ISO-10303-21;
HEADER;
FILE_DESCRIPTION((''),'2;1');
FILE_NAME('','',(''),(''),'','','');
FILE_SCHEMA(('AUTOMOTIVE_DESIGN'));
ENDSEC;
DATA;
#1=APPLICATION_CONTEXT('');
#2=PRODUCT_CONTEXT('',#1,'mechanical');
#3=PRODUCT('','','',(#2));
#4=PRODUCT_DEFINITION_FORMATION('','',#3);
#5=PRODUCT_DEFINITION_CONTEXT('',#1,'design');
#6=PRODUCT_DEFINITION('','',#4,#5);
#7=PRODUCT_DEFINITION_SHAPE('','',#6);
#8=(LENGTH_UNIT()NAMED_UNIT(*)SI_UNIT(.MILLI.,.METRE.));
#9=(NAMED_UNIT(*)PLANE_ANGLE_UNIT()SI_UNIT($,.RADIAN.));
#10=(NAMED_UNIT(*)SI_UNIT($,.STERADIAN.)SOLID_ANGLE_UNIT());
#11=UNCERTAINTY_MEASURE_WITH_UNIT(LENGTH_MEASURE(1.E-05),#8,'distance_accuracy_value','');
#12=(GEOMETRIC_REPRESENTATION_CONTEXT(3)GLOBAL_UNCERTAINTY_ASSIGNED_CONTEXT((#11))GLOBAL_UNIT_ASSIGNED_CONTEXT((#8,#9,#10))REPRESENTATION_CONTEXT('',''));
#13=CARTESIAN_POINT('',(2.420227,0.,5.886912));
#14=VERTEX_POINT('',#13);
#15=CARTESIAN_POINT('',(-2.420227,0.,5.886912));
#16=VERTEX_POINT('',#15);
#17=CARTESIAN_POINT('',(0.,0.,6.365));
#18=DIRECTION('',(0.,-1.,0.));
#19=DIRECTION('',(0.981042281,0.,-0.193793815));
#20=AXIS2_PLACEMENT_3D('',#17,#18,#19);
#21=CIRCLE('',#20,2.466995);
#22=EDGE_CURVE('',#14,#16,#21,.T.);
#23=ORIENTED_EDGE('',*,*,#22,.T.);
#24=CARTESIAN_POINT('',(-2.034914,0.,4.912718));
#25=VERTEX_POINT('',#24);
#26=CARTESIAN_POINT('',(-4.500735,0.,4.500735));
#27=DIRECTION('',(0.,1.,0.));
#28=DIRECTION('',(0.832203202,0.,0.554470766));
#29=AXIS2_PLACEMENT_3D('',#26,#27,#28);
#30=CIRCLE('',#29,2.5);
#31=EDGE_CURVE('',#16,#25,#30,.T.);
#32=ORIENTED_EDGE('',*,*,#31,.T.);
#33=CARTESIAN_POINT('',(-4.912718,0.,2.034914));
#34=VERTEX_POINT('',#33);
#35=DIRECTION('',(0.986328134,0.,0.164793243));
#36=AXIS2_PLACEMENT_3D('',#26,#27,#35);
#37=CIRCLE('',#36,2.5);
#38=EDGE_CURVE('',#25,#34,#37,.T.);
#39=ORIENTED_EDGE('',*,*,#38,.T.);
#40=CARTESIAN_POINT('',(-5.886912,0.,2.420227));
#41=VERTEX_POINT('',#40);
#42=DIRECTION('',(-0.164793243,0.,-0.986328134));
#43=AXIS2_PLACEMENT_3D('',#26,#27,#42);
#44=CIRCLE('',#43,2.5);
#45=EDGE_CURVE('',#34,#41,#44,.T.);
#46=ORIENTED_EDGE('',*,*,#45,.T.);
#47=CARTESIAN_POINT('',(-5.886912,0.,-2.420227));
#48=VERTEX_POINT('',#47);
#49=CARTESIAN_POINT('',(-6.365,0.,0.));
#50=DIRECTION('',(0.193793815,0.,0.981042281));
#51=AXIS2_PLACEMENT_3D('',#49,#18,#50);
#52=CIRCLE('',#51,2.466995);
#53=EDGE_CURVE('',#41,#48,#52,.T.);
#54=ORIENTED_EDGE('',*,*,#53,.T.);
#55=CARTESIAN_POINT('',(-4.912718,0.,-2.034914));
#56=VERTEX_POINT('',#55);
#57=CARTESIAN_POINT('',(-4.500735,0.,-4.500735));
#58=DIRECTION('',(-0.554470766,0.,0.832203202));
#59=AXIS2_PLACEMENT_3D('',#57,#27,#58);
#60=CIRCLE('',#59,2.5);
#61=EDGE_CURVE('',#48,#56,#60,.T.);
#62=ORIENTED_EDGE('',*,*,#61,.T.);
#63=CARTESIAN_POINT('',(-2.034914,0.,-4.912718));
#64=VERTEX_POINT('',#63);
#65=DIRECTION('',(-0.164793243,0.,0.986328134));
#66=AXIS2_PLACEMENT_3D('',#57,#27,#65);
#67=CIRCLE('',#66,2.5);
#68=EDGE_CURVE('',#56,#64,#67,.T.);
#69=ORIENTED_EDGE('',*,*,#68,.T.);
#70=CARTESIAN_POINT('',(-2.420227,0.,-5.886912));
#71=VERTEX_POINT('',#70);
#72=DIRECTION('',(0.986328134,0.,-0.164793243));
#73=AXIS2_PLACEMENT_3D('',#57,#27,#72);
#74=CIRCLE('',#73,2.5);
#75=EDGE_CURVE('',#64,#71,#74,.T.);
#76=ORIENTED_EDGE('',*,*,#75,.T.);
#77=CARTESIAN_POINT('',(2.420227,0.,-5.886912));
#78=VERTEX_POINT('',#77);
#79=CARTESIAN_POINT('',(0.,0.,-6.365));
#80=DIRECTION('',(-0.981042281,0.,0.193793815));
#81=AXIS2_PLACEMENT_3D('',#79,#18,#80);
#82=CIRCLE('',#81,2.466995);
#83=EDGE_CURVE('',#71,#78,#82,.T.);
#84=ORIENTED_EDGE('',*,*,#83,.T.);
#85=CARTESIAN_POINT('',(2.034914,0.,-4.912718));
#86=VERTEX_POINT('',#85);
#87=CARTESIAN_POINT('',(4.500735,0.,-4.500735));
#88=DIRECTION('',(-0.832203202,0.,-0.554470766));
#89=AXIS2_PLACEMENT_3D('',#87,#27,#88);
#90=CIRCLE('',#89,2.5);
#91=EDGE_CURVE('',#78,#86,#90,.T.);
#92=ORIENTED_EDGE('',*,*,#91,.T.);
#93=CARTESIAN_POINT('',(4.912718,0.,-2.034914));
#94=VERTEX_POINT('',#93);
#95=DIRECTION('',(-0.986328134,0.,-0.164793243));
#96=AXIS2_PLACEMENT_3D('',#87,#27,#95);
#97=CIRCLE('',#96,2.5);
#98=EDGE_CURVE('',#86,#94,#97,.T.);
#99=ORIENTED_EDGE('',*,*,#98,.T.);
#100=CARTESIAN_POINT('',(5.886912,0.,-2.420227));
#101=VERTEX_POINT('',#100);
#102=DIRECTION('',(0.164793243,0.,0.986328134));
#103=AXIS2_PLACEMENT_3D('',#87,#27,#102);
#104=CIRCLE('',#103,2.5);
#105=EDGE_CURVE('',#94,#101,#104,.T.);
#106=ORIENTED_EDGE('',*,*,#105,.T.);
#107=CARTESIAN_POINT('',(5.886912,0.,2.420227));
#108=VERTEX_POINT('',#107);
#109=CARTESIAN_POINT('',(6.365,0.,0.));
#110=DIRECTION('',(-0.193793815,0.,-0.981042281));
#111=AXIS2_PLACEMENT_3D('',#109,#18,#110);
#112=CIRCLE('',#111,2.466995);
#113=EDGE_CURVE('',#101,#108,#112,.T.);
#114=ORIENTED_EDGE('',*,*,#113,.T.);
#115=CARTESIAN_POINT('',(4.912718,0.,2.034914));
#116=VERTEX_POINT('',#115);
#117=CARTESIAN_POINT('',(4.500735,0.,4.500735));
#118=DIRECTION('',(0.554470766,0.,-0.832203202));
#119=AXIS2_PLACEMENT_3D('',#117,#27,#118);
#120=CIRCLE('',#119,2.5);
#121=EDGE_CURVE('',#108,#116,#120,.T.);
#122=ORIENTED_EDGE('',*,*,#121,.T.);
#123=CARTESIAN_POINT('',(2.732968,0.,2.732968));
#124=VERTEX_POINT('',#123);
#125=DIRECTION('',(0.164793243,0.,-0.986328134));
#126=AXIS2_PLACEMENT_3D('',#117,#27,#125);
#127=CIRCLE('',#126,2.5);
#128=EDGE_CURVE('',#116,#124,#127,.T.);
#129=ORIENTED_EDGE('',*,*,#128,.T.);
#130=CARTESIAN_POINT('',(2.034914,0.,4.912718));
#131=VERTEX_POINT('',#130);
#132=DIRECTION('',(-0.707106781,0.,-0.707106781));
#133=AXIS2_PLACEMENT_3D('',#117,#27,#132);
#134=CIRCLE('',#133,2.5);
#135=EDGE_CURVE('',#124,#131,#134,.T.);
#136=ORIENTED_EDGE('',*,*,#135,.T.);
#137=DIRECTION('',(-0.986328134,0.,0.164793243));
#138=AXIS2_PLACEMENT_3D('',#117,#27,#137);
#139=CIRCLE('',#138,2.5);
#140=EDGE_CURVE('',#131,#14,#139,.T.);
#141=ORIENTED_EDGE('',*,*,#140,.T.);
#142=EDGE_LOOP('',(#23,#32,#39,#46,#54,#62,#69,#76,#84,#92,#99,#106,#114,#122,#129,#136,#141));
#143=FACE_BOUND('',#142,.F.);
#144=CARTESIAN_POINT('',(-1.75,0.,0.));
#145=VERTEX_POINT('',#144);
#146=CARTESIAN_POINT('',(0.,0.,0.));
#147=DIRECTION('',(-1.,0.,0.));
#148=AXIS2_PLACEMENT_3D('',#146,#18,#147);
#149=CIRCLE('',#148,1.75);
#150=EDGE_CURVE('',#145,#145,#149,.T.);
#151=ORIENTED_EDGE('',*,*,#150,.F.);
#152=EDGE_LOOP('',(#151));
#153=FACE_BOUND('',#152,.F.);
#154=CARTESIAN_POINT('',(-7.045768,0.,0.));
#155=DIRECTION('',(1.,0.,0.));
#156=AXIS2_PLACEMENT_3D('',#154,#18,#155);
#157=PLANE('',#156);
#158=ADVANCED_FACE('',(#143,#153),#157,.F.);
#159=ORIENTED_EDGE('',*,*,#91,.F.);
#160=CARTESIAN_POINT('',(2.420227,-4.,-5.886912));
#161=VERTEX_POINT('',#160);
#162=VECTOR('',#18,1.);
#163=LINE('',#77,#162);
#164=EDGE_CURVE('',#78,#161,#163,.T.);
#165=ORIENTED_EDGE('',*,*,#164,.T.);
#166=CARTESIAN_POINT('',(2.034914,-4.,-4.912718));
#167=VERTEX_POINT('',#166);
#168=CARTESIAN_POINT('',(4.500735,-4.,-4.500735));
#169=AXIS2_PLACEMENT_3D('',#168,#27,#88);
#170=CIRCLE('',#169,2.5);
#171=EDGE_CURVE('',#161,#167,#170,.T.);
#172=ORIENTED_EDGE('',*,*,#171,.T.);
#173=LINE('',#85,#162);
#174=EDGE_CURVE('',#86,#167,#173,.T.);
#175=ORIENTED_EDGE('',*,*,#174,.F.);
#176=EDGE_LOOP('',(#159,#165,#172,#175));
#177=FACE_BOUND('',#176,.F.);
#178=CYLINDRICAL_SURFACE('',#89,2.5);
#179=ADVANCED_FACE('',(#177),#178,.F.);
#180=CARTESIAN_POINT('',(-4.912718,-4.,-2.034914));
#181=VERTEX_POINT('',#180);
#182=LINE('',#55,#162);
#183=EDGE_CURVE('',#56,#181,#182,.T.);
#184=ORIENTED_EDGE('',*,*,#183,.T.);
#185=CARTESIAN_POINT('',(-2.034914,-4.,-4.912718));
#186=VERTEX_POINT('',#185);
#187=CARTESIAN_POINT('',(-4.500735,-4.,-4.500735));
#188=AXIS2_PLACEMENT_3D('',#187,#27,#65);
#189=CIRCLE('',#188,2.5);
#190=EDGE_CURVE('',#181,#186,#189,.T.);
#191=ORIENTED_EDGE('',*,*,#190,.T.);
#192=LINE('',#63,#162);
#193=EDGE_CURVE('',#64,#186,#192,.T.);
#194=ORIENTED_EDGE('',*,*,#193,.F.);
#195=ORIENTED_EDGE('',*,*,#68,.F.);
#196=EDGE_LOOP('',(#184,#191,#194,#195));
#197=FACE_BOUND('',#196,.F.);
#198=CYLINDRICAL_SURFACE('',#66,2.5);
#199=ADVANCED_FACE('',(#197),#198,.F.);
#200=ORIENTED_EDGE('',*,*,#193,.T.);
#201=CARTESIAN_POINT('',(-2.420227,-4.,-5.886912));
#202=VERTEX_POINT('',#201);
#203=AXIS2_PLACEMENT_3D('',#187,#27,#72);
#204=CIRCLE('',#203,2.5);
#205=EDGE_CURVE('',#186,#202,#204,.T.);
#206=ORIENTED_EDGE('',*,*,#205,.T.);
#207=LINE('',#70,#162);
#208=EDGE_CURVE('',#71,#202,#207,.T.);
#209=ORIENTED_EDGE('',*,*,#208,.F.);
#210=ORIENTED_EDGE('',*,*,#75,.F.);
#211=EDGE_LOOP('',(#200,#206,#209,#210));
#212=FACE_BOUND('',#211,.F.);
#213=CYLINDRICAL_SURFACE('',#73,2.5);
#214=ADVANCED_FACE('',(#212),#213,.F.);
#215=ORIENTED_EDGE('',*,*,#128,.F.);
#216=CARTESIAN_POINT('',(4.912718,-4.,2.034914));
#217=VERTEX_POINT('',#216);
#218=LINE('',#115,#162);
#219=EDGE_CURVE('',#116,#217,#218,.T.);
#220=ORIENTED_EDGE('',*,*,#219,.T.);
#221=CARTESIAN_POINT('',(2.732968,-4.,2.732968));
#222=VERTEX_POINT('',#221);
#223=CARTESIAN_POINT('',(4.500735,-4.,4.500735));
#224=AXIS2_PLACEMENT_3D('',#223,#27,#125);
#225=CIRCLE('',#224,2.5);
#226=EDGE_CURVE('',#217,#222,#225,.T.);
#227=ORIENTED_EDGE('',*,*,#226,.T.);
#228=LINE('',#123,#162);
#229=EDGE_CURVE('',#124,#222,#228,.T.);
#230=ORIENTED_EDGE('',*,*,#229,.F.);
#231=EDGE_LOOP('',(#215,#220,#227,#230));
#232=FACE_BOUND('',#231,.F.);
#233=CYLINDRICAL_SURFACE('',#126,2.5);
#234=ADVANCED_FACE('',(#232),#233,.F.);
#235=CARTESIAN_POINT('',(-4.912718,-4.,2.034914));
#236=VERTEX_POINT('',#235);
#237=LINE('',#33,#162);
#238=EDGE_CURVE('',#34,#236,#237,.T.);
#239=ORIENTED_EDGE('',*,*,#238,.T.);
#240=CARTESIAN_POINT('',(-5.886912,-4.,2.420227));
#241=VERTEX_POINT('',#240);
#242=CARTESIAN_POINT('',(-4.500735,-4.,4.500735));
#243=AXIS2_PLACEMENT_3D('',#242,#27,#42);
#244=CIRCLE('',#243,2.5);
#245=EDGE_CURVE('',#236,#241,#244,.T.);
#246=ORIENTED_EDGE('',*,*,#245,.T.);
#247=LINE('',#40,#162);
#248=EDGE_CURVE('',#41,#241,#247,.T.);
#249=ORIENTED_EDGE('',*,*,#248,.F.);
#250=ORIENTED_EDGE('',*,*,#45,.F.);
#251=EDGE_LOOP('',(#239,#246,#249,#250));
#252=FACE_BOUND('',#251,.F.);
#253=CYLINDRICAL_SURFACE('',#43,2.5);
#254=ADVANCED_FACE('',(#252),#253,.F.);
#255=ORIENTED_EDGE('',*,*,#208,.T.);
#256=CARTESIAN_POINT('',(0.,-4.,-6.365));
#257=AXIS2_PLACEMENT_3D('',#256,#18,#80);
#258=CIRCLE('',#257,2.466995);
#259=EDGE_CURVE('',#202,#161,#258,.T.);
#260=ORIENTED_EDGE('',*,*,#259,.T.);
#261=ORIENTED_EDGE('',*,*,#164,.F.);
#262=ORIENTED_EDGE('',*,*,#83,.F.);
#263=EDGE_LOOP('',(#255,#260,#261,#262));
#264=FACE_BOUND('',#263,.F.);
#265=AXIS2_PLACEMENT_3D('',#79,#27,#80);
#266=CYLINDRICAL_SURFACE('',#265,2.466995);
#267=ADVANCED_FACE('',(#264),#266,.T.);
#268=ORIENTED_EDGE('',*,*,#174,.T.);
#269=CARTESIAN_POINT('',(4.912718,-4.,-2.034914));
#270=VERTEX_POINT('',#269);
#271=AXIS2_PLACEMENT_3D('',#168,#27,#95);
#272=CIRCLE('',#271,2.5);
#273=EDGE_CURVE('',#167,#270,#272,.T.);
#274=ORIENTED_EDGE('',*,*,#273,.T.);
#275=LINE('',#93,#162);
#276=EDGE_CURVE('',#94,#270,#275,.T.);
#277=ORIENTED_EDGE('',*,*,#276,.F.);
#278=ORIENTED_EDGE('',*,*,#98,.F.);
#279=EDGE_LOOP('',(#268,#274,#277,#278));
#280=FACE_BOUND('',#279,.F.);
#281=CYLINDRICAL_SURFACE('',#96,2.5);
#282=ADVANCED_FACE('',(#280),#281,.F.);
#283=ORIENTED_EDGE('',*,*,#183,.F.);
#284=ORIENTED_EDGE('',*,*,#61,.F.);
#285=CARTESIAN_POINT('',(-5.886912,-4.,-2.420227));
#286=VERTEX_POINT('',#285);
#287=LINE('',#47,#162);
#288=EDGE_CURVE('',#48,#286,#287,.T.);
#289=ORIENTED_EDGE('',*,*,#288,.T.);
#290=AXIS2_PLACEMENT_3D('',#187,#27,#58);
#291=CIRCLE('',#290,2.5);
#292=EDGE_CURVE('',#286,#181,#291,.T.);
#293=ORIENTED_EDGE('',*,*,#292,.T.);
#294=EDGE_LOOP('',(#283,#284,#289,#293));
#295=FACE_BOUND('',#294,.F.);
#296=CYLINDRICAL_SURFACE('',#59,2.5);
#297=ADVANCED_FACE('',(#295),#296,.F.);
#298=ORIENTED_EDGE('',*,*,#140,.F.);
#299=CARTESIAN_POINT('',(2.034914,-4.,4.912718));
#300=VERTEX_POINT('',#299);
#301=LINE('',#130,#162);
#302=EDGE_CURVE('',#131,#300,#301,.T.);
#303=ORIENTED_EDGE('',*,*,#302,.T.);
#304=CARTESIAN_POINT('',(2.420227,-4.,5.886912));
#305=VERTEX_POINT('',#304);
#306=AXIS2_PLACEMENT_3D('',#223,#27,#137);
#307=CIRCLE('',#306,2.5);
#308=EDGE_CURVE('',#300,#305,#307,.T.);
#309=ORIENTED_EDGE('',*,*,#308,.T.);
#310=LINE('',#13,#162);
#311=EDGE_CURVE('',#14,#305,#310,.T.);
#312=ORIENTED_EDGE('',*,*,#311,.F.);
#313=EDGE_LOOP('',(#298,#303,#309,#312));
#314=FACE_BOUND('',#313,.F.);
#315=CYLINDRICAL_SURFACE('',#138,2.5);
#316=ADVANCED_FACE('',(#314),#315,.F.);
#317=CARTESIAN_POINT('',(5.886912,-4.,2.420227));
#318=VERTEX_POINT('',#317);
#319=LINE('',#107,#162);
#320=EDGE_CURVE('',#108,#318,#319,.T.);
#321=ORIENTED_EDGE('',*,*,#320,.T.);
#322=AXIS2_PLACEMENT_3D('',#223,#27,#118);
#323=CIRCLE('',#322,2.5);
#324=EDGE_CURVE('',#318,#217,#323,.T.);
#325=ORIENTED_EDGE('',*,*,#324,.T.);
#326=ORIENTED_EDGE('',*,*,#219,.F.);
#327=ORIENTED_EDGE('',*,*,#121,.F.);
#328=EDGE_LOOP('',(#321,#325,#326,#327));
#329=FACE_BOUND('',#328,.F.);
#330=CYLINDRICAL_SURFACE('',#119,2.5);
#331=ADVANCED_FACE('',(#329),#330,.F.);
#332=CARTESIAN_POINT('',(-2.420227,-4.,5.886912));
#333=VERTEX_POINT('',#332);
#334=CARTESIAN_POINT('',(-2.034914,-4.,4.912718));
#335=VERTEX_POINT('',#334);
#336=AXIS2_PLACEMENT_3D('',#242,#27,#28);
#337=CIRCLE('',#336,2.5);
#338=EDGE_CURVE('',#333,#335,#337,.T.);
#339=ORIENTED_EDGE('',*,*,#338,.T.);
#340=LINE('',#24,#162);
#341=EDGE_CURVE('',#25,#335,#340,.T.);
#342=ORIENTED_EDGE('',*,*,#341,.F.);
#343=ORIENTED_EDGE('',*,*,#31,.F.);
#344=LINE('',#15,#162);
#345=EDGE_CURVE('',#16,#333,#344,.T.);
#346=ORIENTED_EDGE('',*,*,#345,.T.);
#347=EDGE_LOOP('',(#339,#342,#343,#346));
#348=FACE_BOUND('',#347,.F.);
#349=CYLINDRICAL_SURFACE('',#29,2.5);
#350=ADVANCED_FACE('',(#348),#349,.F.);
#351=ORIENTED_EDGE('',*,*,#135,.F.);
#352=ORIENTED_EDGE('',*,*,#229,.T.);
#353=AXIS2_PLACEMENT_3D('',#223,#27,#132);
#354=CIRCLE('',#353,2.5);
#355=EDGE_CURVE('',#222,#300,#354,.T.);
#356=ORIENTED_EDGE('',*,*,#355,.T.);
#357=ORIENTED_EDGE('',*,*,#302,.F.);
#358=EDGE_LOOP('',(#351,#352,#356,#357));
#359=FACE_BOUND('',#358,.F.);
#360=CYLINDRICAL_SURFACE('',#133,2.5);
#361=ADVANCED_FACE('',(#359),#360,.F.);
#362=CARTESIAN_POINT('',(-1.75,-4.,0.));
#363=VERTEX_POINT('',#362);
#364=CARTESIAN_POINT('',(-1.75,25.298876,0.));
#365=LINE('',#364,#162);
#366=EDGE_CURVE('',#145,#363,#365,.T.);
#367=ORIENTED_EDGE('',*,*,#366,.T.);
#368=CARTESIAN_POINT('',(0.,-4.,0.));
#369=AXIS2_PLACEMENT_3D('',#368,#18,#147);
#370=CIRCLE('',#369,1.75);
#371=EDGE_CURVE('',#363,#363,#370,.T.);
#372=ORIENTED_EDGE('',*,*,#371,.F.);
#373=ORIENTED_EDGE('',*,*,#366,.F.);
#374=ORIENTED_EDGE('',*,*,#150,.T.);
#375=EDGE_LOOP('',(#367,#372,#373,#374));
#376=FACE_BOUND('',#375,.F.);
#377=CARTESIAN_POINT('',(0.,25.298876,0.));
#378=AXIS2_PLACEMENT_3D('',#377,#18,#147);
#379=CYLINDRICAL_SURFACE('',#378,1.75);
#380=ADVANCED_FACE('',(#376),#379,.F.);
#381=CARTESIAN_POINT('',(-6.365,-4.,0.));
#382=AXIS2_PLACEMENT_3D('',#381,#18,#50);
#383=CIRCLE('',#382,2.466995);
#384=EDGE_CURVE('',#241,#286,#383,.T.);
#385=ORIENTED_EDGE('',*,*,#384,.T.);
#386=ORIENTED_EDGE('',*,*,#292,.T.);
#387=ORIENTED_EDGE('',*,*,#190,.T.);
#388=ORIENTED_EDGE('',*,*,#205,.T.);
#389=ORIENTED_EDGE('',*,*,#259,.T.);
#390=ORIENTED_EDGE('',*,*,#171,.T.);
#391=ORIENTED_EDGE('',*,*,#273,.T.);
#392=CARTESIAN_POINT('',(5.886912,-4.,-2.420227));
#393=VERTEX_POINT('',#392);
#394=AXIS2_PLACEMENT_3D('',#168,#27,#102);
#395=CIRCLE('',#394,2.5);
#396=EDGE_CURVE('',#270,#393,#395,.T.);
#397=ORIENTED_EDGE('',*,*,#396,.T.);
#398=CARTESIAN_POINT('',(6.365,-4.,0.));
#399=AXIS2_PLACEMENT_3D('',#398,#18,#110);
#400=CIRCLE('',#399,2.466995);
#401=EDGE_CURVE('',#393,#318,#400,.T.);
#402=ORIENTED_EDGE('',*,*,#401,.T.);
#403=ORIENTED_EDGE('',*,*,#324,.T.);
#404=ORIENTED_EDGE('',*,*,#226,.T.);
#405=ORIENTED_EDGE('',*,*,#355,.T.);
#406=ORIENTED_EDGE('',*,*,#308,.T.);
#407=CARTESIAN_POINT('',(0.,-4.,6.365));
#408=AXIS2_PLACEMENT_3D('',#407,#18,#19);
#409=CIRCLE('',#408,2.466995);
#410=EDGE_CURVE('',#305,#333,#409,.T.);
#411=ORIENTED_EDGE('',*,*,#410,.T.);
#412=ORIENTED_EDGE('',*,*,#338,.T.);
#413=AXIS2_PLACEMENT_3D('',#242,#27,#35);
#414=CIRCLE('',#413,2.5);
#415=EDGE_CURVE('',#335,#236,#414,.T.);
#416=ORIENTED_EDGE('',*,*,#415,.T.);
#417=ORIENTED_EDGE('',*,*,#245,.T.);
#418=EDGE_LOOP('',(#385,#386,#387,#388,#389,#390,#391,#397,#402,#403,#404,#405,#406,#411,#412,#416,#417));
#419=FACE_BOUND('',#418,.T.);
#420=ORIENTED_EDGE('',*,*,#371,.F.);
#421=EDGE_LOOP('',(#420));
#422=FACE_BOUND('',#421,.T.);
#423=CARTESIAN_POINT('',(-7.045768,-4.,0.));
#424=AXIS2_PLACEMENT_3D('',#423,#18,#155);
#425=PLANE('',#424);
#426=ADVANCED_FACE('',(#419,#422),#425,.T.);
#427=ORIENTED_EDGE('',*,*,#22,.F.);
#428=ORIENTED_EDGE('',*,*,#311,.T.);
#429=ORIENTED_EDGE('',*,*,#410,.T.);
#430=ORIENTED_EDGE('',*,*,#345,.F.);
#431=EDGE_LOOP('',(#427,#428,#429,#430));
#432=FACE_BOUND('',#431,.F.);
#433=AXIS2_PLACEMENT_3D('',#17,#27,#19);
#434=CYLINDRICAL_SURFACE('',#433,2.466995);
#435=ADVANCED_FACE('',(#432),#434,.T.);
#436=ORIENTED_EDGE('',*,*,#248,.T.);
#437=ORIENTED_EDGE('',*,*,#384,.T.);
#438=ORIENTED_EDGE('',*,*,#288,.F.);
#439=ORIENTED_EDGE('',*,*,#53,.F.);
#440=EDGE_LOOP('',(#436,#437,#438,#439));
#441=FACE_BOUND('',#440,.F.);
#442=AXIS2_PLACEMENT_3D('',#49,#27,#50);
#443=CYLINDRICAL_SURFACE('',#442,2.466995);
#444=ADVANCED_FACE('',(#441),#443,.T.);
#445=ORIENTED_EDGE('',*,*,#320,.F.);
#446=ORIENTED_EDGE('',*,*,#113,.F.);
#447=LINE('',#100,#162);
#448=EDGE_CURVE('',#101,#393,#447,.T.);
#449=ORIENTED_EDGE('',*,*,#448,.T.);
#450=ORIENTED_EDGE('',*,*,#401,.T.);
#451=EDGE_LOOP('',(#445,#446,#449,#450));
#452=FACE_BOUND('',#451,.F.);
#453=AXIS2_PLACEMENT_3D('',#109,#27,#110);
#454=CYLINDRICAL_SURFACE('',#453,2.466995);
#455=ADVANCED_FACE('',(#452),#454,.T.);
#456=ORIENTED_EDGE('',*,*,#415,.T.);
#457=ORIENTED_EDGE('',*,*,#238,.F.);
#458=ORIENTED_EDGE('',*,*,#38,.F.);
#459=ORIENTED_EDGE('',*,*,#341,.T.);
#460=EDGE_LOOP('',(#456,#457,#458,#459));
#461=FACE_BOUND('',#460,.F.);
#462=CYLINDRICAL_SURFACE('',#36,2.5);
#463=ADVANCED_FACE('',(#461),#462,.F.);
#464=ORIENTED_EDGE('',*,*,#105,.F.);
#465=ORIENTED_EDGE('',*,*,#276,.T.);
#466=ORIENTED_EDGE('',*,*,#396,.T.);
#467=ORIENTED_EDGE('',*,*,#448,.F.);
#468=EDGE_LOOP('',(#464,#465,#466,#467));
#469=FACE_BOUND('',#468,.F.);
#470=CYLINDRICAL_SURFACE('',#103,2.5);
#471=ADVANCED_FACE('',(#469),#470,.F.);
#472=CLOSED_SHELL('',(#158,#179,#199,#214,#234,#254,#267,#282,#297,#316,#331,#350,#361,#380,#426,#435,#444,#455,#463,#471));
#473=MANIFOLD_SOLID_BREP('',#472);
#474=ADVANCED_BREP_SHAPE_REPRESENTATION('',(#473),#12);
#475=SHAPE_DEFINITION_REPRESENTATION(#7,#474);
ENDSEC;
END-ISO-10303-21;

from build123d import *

# Parameters (mm, degrees)
F1_DEPTH = 4
F2_D     = 3.5


with BuildPart() as f1:
    # F0 (on Front) → F1 (new body)
    with BuildSketch(Plane.XZ):
        with BuildLine():
            ThreePointArc((-5.886911578, 2.4202266574), (-8.8319952599, 0), (-5.886911578, -2.4202266574))
            ThreePointArc((-5.886911578, -2.4202266574), (-6.365, 0), (-5.886911578, 2.4202266574))
        make_face()
        with BuildLine():
            ThreePointArc((-5.886911578, -2.4202266574), (-5.4202243386, -2.1759682794), (-4.9127177697, -2.0349143283))
            ThreePointArc((-4.9127177697, -2.0349143283), (-4.142309561, -1.1443981878), (-3.865, 0))
            ThreePointArc((-3.865, 0), (-4.142309561, 1.1443981878), (-4.9127177697, 2.0349143283))
            ThreePointArc((-4.9127177697, 2.0349143283), (-5.4202243386, 2.1759682794), (-5.886911578, 2.4202266574))
            ThreePointArc((-5.886911578, 2.4202266574), (-6.365, 0), (-5.886911578, -2.4202266574))
        make_face()
        with BuildLine():
            ThreePointArc((4.9127177697, -2.0349143283), (3.865, 0), (4.9127177697, 2.0349143283))
            ThreePointArc((4.9127177697, 2.0349143283), (3.7382668993, 2.1198434614), (2.7329677093, 2.7329677093))
            ThreePointArc((2.7329677093, 2.7329677093), (2.1198434614, 3.7382668993), (2.0349143283, 4.9127177697))
            ThreePointArc((2.0349143283, 4.9127177697), (0, 3.865), (-2.0349143283, 4.9127177697))
            ThreePointArc((-2.0349143283, 4.9127177697), (-2.7329677093, 2.7329677093), (-4.9127177697, 2.0349143283))
            ThreePointArc((-4.9127177697, 2.0349143283), (-4.142309561, 1.1443981878), (-3.865, 0))
            ThreePointArc((-3.865, 0), (-4.142309561, -1.1443981878), (-4.9127177697, -2.0349143283))
            ThreePointArc((-4.9127177697, -2.0349143283), (-2.7329677093, -2.7329677093), (-2.0349143283, -4.9127177697))
            ThreePointArc((-2.0349143283, -4.9127177697), (0, -3.865), (2.0349143283, -4.9127177697))
            ThreePointArc((2.0349143283, -4.9127177697), (2.7329677093, -2.7329677093), (4.9127177697, -2.0349143283))
        make_face()
        with BuildLine():
            ThreePointArc((-2.0349143283, 4.9127177697), (0, 3.865), (2.0349143283, 4.9127177697))
            ThreePointArc((2.0349143283, 4.9127177697), (2.1759682794, 5.4202243386), (2.4202266574, 5.886911578))
            ThreePointArc((2.4202266574, 5.886911578), (0, 6.365), (-2.4202266574, 5.886911578))
            ThreePointArc((-2.4202266574, 5.886911578), (-2.1759682794, 5.4202243386), (-2.0349143283, 4.9127177697))
        make_face()
        with BuildLine():
            ThreePointArc((-2.4202266574, 5.886911578), (0, 6.365), (2.4202266574, 5.886911578))
            ThreePointArc((2.4202266574, 5.886911578), (0, 8.8319952599), (-2.4202266574, 5.886911578))
        make_face()
        with BuildLine():
            ThreePointArc((5.886911578, -2.4202266574), (6.2443341196, -1.23349763), (6.365, 0))
            ThreePointArc((6.365, 0), (6.2443341196, 1.23349763), (5.886911578, 2.4202266574))
            ThreePointArc((5.886911578, 2.4202266574), (5.4202243386, 2.1759682794), (4.9127177697, 2.0349143283))
            ThreePointArc((4.9127177697, 2.0349143283), (3.865, 0), (4.9127177697, -2.0349143283))
            ThreePointArc((4.9127177697, -2.0349143283), (5.4202243386, -2.1759682794), (5.886911578, -2.4202266574))
        make_face()
        with BuildLine():
            ThreePointArc((5.886911578, 2.4202266574), (6.2443341196, 1.23349763), (6.365, 0))
            ThreePointArc((6.365, 0), (6.2443341196, -1.23349763), (5.886911578, -2.4202266574))
            ThreePointArc((5.886911578, -2.4202266574), (8.8319952599, 0), (5.886911578, 2.4202266574))
        make_face()
        with BuildLine():
            ThreePointArc((2.4202266574, -5.886911578), (2.1759682794, -5.4202243386), (2.0349143283, -4.9127177697))
            ThreePointArc((2.0349143283, -4.9127177697), (0, -3.865), (-2.0349143283, -4.9127177697))
            ThreePointArc((-2.0349143283, -4.9127177697), (-2.1759682794, -5.4202243386), (-2.4202266574, -5.886911578))
            ThreePointArc((-2.4202266574, -5.886911578), (0, -6.365), (2.4202266574, -5.886911578))
        make_face()
        with BuildLine():
            ThreePointArc((-2.4202266574, -5.886911578), (0, -8.8319952599), (2.4202266574, -5.886911578))
            ThreePointArc((2.4202266574, -5.886911578), (0, -6.365), (-2.4202266574, -5.886911578))
        make_face()
    extrude(amount=F1_DEPTH)

    # F2 (through all)
    with Locations(Plane(origin=(0, 0, 0), x_dir=(1, 0, 0), z_dir=(0, 1, 0))):
        with Locations((0, 0)):
            Hole(F2_D / 2)


solid = f1.part
